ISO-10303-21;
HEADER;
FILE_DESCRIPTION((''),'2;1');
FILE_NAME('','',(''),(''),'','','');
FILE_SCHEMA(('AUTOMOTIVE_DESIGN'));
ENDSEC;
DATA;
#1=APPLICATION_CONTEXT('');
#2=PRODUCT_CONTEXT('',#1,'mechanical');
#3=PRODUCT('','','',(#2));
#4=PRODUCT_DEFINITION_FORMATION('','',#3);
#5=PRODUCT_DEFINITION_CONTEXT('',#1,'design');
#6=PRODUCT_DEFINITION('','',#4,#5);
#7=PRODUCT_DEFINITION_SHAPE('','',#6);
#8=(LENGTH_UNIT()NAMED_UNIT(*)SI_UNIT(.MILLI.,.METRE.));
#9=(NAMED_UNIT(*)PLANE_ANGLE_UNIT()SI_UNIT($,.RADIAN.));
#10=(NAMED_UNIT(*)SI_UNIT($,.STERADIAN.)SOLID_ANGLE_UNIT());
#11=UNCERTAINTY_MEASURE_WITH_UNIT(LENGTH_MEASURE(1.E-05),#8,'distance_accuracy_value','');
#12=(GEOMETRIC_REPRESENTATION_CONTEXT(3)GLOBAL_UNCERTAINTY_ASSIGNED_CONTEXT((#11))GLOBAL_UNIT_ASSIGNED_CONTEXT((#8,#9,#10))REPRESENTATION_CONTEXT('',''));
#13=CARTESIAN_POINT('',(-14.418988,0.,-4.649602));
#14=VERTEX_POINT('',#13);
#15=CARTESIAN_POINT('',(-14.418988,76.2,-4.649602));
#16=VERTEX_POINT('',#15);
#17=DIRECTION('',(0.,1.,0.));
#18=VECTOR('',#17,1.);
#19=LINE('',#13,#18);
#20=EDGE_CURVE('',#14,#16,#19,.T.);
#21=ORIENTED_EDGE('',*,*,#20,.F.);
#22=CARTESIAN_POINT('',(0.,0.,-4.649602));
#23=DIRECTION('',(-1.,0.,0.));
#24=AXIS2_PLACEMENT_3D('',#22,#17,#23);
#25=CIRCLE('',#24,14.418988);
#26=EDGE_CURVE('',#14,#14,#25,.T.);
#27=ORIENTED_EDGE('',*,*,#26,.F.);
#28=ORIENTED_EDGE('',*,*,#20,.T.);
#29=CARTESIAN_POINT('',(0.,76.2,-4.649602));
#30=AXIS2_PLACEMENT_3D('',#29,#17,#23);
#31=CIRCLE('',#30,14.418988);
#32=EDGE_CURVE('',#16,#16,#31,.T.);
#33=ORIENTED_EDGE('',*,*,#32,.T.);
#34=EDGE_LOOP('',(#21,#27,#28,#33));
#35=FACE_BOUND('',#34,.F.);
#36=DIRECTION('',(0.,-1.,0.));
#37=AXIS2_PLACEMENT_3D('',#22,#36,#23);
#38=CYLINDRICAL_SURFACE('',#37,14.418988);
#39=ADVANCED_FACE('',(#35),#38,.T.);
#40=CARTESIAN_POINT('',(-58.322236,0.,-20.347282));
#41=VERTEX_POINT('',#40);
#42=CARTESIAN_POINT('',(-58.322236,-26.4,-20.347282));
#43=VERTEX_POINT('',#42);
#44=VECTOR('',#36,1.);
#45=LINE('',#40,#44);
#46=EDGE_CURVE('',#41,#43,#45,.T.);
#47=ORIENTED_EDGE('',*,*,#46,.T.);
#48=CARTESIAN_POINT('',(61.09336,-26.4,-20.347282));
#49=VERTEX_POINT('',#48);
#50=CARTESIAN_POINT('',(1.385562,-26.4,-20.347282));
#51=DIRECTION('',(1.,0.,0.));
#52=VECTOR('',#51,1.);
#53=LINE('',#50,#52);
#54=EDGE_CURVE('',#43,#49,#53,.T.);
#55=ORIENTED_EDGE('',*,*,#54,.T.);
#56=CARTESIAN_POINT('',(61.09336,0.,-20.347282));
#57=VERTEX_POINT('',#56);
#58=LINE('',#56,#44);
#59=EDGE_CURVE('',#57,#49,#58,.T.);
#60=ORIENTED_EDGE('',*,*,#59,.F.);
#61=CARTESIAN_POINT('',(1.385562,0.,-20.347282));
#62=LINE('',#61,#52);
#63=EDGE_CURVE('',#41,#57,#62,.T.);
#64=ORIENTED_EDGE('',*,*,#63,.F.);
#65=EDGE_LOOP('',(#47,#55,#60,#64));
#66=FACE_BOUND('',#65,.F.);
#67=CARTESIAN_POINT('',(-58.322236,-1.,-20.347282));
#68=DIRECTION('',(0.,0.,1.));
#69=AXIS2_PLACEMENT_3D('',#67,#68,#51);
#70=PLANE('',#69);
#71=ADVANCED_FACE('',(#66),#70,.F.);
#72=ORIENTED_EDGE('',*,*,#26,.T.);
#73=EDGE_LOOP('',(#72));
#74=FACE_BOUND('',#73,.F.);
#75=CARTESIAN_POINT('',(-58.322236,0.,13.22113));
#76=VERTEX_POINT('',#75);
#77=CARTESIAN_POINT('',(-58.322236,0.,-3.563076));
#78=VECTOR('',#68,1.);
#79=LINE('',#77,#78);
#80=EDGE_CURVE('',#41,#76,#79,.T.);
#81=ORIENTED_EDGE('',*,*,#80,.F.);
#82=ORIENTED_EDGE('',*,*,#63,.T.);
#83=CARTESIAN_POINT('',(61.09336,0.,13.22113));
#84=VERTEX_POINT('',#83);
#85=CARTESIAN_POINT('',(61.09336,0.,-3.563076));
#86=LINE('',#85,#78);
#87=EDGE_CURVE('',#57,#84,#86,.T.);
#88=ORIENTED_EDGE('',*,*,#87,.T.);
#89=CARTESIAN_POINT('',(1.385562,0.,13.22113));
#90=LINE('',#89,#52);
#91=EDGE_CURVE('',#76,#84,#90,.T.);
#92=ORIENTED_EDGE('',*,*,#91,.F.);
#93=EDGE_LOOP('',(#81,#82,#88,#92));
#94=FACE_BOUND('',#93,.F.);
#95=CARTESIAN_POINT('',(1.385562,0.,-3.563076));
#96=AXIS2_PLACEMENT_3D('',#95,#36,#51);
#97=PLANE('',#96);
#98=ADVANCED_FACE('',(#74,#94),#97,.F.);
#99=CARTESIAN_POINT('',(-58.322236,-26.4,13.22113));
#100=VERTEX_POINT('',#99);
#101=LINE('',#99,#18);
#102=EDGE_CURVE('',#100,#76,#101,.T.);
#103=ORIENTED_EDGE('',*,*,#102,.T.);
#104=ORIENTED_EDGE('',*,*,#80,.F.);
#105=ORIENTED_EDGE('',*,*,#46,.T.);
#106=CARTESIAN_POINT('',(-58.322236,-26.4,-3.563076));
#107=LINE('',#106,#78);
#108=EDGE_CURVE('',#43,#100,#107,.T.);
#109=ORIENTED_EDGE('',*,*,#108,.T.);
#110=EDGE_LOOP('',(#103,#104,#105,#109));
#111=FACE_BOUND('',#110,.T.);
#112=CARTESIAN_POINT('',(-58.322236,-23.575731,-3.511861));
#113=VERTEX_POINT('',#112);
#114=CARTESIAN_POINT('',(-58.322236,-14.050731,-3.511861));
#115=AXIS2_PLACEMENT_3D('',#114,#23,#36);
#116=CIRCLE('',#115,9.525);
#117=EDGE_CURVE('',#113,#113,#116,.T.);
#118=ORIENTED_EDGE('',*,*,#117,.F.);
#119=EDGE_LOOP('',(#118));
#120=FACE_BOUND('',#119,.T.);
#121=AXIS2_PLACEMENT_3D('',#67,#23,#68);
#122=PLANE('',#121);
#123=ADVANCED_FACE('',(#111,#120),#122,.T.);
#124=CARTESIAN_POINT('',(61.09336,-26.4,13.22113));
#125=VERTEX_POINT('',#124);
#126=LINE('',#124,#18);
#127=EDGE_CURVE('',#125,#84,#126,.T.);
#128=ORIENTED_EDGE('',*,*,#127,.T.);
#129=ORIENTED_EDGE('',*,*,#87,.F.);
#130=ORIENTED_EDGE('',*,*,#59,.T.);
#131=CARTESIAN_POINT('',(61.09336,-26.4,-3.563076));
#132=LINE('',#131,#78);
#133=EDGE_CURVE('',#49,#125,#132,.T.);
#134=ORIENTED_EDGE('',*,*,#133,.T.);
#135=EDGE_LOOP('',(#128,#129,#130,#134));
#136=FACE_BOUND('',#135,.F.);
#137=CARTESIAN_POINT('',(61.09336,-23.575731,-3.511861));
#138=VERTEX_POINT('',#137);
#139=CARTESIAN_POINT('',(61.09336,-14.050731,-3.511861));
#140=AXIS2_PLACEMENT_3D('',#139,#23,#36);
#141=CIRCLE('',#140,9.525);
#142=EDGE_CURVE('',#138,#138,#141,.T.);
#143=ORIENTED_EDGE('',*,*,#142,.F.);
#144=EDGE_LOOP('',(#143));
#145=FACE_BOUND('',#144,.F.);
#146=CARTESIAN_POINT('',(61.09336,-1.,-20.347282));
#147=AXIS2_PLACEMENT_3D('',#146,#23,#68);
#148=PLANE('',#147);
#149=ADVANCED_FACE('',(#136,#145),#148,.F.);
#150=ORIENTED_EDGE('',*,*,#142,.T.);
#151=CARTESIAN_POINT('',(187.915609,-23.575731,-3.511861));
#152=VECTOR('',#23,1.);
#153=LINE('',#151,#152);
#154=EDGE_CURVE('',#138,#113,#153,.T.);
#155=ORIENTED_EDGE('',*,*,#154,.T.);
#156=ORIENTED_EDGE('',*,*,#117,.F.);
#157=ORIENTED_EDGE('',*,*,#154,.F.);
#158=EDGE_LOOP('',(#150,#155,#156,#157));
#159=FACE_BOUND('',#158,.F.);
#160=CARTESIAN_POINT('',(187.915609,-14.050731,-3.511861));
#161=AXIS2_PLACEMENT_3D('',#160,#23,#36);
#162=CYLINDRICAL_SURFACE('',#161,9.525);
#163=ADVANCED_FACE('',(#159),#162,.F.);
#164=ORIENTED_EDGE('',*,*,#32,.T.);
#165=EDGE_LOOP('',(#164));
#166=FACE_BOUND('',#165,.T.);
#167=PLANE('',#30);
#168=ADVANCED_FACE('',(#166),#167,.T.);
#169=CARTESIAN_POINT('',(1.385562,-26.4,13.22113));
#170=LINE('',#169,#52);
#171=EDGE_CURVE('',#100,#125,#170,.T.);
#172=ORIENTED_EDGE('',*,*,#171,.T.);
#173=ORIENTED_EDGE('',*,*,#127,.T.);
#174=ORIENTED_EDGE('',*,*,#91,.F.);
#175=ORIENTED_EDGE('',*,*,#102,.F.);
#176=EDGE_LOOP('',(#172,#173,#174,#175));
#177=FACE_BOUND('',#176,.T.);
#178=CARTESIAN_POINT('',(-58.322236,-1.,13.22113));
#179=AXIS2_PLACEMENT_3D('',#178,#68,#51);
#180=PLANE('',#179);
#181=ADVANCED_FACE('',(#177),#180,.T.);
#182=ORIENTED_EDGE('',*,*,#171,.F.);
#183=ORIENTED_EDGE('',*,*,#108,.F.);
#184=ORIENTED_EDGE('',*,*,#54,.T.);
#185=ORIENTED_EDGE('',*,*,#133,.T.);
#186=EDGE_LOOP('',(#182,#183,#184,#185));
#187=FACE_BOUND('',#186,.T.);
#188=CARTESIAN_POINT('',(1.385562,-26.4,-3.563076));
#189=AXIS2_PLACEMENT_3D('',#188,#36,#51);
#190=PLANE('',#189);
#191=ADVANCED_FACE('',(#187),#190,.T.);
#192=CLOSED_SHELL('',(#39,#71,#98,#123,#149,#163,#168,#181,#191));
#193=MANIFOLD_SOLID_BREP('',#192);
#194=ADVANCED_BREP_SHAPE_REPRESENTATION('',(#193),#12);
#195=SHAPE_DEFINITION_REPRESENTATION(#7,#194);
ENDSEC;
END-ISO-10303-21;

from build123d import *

# Parameters (mm, degrees)
F0_W      = 119.415596
F0_H      = 33.568412
F1_DEPTH  = 1
F1_FACE_W = 119.415596
F1_FACE_H = 33.568412
F2_DEPTH  = 25.4
F4_D      = 19.05
F5_R      = 14.418988
F6_DEPTH  = 76.2


with BuildPart() as f1:
    # F0 (on Front) → F1 (new body)
    with BuildSketch(Plane.XZ):
        with Locations((1.385562, -3.563076)):
            Rectangle(F0_W, F0_H)
    extrude(amount=F1_DEPTH)

    # F1_face (on face) → F2 (join)
    with BuildSketch(Plane(origin=(1.385562, -1, -3.563076), x_dir=(1, 0, 0), z_dir=(0, -1, 0))):
        Rectangle(F1_FACE_W, F1_FACE_H)
    extrude(amount=F2_DEPTH)

    # F4 (through all)
    with Locations(Plane.YZ.offset(61.09336)):
        with Locations((-14.050731, -3.511861)):
            Hole(F4_D / 2)

    # F5 (on face) → F6 (join)
    with BuildSketch(Plane(origin=(0, 0, 0), x_dir=(-1, 0, 0), z_dir=(0, 1, 0))):
        with Locations((0, -4.649602)):
            Circle(F5_R)
    extrude(amount=F6_DEPTH)


solid = f1.part
